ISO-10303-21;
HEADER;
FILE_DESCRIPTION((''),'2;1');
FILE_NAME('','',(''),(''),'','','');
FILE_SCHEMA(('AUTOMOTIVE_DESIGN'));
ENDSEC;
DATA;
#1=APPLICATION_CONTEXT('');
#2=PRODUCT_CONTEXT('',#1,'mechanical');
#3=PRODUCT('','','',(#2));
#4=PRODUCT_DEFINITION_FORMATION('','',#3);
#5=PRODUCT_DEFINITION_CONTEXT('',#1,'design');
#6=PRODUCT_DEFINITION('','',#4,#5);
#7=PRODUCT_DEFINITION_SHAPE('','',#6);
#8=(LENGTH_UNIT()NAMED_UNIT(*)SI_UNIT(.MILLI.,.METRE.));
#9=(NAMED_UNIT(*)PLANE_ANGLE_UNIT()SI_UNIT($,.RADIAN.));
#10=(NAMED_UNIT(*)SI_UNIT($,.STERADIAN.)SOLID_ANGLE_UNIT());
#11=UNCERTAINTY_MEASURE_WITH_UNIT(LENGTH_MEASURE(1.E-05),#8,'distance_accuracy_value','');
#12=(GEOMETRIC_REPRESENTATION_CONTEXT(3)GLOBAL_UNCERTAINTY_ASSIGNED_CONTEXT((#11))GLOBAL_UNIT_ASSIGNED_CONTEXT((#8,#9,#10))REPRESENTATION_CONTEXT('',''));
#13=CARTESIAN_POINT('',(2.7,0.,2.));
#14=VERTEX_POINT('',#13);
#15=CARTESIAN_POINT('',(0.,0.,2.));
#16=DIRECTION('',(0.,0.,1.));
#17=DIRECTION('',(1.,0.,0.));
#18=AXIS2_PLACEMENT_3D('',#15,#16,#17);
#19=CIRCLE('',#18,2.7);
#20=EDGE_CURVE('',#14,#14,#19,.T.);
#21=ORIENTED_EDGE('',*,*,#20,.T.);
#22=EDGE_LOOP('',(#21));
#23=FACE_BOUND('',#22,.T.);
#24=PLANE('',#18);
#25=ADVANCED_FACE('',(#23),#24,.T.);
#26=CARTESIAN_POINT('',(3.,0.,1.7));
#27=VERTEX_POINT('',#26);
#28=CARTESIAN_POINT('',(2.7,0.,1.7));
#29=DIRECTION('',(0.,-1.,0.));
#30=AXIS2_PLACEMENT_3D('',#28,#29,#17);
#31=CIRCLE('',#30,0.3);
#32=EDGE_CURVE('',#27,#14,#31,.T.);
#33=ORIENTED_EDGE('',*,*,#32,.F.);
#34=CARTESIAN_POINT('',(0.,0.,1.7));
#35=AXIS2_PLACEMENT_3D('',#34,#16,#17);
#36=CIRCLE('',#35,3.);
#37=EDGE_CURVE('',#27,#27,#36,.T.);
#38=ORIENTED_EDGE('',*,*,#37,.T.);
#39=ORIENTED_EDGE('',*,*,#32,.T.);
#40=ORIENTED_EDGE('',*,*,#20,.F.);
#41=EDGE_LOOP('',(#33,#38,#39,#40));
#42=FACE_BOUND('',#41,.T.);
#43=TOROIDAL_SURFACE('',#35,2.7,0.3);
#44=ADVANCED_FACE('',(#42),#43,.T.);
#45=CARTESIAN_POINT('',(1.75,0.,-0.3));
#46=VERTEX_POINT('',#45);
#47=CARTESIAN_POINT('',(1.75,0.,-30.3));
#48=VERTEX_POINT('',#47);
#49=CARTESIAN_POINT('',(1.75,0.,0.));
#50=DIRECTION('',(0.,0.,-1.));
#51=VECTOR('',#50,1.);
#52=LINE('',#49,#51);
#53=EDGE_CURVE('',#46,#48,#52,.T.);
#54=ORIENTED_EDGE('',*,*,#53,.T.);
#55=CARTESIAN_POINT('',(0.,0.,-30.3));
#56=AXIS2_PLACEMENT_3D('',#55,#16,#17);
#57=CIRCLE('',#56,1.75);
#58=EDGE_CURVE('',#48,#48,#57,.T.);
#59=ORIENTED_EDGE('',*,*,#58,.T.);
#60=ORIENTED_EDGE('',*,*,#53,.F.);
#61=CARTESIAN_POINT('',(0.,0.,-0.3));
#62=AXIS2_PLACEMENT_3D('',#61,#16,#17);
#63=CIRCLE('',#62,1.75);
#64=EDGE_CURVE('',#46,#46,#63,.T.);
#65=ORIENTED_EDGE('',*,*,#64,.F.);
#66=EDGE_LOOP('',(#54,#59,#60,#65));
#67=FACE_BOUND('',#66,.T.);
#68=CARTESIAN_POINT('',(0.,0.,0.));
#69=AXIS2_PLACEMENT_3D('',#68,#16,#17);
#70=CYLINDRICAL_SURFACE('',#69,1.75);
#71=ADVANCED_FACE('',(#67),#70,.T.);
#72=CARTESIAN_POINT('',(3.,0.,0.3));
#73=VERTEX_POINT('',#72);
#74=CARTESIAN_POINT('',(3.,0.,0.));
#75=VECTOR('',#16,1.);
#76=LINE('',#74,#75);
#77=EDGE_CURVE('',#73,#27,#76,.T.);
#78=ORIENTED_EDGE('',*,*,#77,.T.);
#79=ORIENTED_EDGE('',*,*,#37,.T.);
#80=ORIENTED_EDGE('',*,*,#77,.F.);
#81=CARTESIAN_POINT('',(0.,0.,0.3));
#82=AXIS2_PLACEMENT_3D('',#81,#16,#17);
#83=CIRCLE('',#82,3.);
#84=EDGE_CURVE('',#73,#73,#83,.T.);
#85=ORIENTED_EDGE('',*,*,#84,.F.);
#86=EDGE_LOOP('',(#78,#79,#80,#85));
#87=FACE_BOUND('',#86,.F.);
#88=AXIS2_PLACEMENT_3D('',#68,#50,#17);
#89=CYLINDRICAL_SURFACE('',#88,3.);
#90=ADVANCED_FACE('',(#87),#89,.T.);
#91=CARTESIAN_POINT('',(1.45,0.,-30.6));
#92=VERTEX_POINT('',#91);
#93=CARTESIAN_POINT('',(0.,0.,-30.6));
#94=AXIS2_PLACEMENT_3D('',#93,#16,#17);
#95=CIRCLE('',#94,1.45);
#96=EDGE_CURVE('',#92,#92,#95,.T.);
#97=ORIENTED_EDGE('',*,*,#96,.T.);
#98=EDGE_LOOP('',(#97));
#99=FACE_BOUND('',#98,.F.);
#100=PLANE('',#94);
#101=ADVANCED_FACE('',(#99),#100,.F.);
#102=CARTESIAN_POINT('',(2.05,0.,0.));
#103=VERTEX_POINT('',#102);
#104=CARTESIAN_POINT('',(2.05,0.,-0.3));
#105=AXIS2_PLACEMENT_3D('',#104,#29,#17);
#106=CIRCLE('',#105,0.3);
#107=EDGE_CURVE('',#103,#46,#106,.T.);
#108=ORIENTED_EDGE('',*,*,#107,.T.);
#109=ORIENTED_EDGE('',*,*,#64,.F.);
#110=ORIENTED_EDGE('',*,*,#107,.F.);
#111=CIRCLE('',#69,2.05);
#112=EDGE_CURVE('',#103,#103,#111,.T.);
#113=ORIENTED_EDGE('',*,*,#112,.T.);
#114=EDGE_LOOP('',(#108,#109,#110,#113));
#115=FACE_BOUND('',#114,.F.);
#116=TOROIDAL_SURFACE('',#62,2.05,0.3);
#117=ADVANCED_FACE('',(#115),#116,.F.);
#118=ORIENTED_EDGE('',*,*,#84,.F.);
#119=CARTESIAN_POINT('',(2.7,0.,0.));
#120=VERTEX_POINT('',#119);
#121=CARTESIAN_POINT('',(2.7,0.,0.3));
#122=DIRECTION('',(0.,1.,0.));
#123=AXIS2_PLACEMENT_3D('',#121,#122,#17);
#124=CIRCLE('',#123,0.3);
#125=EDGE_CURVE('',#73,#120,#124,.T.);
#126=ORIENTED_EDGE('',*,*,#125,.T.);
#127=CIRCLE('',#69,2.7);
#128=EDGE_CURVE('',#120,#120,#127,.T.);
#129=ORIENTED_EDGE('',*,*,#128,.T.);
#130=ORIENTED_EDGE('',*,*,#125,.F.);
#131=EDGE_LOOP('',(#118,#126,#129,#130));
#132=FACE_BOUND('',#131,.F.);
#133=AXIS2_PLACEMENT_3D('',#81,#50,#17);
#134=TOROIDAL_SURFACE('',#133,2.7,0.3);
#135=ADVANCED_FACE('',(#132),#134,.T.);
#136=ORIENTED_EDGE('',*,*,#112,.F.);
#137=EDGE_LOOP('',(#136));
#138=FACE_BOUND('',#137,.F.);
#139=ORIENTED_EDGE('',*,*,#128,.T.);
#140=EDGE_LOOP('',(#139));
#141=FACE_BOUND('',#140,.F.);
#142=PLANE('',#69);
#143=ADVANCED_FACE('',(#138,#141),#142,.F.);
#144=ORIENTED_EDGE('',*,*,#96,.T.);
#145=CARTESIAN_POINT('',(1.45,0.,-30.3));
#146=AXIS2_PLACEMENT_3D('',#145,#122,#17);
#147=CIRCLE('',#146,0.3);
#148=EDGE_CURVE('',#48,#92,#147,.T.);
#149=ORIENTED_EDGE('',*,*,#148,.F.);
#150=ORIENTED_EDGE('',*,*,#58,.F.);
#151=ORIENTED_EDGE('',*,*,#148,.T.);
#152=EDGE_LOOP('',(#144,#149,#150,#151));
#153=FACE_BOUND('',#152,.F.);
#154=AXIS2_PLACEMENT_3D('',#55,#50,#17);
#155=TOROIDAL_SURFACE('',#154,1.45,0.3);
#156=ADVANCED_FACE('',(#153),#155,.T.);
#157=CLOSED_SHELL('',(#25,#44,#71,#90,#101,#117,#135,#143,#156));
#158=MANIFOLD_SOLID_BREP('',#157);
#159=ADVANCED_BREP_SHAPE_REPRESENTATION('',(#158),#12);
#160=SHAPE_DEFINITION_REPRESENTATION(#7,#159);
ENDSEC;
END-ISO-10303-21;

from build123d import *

# Parameters (mm, degrees)
SKETCH_1_R      = 3
EXTRUDE_1_DEPTH = 2
SKETCH_1_3_R    = 1.75
EXTRUDE_2_DEPTH = 30.6
FILLET_1_R      = 0.3


with BuildPart() as part:
    # 草图1 → 凸台-拉伸1 (new body)
    with BuildSketch(Plane.XY):
        Circle(SKETCH_1_R)
    extrude(amount=EXTRUDE_1_DEPTH)

    # 草图1<3> → 凸台-拉伸2 (add)
    with BuildSketch(Plane.XY):
        Circle(SKETCH_1_3_R)
    extrude(amount=-EXTRUDE_2_DEPTH)

    # 圆角1
    fillet_1_edges = [part.edges().sort_by_distance(p)[0] for p in [
        (-3, 0, 0),
        (-1.75, 0, 0),
        (-3, 0, 2),
        (-1.75, 0, -30.6),
    ]]
    fillet(fillet_1_edges, radius=FILLET_1_R)


solid = part.part
